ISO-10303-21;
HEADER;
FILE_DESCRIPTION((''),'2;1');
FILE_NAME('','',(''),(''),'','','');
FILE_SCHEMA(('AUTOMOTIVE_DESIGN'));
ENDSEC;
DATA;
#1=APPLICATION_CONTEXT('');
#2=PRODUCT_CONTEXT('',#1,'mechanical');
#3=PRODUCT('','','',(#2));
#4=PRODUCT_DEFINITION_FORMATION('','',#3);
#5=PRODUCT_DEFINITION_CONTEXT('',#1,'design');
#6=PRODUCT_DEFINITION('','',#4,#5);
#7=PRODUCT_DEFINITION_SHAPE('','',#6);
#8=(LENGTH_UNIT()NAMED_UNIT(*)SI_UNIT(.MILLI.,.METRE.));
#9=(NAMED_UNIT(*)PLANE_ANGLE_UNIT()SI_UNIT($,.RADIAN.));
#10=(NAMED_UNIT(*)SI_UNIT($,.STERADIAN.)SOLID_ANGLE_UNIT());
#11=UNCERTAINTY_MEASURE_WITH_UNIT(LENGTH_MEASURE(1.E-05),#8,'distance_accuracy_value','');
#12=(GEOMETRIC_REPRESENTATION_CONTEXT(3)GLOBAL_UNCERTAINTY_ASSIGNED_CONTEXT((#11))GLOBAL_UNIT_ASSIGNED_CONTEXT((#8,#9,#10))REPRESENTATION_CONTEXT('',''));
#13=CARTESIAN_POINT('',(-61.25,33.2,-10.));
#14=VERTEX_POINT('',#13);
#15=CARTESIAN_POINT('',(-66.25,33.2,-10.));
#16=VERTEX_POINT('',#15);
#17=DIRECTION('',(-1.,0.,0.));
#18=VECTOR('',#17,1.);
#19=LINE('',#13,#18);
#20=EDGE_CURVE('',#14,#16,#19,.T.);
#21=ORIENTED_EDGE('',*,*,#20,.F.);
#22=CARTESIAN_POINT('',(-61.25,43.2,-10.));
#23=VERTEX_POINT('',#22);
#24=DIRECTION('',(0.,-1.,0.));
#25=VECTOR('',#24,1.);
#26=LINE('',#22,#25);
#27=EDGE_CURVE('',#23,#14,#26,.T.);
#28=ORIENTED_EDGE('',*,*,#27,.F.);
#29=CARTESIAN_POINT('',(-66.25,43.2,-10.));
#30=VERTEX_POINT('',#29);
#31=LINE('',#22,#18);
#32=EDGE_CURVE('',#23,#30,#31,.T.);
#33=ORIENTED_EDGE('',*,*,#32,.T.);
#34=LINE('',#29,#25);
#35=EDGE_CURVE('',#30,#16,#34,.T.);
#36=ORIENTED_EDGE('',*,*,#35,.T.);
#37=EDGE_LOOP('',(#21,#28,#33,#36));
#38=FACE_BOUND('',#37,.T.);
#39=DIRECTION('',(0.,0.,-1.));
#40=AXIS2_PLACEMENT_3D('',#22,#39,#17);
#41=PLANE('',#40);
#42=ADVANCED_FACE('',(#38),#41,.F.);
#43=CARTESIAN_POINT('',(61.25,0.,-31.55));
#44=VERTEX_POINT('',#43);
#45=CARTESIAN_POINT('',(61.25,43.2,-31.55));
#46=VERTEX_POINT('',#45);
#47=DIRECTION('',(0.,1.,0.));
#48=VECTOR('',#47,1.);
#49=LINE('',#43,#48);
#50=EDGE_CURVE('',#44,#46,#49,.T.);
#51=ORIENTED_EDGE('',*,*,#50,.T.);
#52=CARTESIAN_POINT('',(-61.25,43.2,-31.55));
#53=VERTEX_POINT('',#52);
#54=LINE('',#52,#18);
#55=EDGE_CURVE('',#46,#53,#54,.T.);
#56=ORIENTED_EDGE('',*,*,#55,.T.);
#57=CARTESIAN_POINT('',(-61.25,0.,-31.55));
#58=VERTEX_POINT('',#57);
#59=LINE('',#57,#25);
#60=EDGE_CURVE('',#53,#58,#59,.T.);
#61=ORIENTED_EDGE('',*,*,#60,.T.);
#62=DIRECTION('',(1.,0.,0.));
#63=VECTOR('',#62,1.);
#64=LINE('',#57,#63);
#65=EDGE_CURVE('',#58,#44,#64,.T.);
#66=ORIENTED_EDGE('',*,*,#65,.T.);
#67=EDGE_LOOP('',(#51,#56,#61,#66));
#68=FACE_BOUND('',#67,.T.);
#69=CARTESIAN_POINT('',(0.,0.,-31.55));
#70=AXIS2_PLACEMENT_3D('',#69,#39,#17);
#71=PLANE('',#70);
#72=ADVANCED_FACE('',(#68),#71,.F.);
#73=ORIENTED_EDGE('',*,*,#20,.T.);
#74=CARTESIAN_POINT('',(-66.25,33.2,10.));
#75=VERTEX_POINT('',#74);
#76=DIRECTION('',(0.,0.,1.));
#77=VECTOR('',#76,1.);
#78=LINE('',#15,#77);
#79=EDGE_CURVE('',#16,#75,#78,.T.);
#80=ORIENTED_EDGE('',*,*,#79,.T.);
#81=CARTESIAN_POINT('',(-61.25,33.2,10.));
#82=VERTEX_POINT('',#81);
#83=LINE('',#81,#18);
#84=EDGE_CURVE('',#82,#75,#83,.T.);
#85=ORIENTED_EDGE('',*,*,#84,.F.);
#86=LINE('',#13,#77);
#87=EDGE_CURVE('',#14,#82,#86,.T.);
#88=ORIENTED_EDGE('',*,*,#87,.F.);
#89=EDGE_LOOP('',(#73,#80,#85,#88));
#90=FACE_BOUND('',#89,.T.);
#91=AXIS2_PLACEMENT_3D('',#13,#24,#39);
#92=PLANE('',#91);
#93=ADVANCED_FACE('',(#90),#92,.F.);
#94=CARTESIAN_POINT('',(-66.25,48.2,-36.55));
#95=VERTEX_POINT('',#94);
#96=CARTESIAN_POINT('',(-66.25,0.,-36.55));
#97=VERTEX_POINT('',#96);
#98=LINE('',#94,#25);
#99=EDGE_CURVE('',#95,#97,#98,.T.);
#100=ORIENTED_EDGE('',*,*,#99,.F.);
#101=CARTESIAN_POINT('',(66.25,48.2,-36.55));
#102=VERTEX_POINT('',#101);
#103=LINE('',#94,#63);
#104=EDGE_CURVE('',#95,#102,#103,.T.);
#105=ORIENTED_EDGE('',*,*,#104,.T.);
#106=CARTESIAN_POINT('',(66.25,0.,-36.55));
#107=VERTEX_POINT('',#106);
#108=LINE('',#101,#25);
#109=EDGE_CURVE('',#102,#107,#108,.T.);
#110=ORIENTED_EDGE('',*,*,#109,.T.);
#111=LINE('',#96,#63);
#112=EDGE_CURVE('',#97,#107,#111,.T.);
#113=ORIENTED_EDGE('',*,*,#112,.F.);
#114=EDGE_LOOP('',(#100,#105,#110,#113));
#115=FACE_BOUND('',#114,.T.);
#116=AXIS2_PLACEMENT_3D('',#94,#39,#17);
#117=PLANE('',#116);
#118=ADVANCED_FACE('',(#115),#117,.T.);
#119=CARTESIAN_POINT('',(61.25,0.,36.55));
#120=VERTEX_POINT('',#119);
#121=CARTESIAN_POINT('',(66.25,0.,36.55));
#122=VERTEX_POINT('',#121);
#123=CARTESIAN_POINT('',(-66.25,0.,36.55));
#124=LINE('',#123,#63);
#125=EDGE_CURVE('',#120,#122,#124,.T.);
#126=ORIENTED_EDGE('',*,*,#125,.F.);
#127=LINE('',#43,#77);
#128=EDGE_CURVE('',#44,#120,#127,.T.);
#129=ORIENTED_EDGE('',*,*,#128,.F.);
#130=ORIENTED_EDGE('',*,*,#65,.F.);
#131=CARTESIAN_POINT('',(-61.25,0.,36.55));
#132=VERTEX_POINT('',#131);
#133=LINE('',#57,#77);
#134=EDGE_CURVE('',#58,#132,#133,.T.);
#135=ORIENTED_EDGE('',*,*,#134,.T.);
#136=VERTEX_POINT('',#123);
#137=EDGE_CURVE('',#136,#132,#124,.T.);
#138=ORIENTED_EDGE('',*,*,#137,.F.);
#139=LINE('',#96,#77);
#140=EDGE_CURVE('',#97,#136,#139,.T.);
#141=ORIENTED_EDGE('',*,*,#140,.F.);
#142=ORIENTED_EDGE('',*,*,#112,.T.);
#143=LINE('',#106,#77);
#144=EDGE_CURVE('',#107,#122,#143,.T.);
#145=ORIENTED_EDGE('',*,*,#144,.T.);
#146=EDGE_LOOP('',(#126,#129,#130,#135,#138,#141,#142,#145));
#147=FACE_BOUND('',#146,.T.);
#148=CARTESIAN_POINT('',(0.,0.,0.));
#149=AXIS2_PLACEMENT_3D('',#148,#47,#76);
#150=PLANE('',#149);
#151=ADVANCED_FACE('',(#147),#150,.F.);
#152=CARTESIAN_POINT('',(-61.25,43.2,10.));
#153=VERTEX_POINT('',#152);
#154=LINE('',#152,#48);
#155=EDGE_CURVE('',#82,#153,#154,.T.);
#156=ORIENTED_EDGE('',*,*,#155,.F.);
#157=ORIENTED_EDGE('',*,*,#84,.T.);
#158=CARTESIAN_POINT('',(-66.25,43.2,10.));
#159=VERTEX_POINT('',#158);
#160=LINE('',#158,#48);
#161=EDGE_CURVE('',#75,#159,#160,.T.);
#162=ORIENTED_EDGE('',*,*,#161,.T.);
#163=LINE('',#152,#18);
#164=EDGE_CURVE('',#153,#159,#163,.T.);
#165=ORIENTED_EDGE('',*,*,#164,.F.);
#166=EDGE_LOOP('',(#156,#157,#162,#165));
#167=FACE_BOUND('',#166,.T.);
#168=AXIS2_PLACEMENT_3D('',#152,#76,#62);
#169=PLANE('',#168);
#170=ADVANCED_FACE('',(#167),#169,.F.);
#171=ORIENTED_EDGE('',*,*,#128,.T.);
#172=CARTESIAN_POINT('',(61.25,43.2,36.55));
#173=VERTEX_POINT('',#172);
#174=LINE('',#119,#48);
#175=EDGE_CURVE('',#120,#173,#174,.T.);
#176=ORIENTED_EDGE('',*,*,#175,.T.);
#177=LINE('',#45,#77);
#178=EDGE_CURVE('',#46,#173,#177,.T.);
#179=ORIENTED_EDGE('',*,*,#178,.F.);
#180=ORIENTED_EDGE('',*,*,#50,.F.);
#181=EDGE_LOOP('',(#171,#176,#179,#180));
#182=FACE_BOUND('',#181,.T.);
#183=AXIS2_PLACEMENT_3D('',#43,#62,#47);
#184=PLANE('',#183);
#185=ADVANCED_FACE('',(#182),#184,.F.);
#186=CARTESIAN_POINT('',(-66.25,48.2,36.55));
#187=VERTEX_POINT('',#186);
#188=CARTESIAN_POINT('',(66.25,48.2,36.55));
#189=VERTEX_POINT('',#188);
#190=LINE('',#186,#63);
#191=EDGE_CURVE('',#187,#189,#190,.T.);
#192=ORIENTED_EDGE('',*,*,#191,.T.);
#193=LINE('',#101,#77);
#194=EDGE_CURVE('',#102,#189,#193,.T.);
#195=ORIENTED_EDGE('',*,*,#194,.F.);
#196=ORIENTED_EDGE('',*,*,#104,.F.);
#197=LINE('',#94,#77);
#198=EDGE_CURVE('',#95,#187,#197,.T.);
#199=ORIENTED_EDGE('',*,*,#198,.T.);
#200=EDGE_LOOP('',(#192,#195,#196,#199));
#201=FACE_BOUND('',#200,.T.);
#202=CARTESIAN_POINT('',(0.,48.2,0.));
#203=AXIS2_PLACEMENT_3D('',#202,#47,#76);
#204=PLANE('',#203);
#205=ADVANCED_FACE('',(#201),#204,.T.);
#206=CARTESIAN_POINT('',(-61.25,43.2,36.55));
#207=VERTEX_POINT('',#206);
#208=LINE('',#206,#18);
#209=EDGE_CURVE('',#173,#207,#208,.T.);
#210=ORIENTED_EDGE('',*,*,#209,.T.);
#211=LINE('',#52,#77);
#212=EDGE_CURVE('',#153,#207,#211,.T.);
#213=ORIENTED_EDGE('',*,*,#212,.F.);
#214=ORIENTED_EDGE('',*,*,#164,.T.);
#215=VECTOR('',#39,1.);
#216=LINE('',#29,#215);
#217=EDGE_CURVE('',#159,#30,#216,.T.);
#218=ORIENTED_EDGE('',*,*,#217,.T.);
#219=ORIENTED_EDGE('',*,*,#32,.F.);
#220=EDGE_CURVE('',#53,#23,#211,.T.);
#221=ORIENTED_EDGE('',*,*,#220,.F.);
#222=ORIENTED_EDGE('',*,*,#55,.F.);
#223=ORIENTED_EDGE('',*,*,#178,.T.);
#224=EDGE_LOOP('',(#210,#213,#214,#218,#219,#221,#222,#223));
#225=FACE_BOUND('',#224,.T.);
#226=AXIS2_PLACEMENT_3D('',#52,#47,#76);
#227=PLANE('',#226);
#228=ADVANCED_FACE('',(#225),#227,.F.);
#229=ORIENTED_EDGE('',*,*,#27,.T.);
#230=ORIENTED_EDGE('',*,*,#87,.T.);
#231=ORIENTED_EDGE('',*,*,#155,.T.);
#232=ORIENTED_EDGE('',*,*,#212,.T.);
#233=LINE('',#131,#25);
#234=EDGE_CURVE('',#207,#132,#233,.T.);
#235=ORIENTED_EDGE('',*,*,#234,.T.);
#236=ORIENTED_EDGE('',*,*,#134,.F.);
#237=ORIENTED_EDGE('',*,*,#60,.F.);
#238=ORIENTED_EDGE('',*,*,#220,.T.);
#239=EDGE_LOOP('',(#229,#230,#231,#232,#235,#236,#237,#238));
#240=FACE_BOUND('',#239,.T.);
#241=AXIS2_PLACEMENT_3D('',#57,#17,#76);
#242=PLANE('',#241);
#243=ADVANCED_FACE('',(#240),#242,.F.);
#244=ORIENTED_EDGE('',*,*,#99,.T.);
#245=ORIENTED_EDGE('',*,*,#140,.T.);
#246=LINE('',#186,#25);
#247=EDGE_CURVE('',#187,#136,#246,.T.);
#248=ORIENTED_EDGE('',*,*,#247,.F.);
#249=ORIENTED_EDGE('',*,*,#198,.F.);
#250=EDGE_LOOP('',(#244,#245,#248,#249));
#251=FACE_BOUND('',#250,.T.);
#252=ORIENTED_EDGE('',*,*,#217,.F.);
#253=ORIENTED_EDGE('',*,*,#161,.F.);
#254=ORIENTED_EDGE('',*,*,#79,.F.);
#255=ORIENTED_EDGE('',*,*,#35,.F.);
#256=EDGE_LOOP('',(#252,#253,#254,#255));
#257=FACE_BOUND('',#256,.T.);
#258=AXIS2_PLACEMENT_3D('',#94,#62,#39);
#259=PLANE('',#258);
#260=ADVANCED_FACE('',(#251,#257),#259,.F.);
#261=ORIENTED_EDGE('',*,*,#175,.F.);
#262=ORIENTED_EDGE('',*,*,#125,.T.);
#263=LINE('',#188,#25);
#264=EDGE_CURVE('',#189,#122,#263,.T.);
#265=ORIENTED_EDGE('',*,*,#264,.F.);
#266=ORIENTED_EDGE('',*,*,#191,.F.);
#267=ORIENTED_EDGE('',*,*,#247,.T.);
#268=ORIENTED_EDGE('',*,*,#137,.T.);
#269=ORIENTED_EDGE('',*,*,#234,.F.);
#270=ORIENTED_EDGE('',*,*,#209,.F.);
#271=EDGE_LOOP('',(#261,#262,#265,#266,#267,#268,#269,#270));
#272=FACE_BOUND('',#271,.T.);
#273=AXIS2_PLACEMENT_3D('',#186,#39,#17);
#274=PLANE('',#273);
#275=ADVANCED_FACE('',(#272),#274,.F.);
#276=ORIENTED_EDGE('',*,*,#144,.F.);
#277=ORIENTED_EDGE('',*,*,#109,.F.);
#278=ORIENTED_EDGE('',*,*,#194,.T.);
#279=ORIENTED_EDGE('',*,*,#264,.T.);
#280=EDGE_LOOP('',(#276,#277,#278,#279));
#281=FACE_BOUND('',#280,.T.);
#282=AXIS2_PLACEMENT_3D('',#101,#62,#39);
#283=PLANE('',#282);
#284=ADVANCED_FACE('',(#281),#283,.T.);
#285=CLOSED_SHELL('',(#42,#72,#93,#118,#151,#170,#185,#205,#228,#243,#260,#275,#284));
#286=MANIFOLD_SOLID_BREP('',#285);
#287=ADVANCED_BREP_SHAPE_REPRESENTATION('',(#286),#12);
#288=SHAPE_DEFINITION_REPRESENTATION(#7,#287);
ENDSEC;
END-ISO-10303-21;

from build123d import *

# Parameters (mm, degrees)
SKETCH_1_W          = 132.5
SKETCH_1_H          = 73.1
EXTRUDE_1_DEPTH     = 48.2
SKETCH_3_W          = 122.5
SKETCH_3_H          = 43.2
CUT_EXTRUDE_1_DEPTH = 68.1
SKETCH_6_W          = 20
SKETCH_6_H          = 10
CUT_EXTRUDE_2_DEPTH = 5


with BuildPart() as part:
    # 草圖1 → 填料-伸長1 (new body)
    with BuildSketch(Plane(origin=(0, 0, 0), x_dir=(1, 0, 0), z_dir=(0, 1, 0))):
        Rectangle(SKETCH_1_W, SKETCH_1_H)
    extrude(amount=EXTRUDE_1_DEPTH)

    # 草圖3 → 除料-伸長1 (cut)
    with BuildSketch(Plane.XY.offset(36.55)):
        with Locations((0, 21.6)):
            Rectangle(SKETCH_3_W, SKETCH_3_H)
    extrude(amount=-CUT_EXTRUDE_1_DEPTH, mode=Mode.SUBTRACT)

    # 草圖6 → 除料-伸長2 (cut)
    with BuildSketch(Plane.ZY.offset(66.25)):
        with Locations((0, 38.2)):
            Rectangle(SKETCH_6_W, SKETCH_6_H)
    extrude(amount=-CUT_EXTRUDE_2_DEPTH, mode=Mode.SUBTRACT)


solid = part.part
